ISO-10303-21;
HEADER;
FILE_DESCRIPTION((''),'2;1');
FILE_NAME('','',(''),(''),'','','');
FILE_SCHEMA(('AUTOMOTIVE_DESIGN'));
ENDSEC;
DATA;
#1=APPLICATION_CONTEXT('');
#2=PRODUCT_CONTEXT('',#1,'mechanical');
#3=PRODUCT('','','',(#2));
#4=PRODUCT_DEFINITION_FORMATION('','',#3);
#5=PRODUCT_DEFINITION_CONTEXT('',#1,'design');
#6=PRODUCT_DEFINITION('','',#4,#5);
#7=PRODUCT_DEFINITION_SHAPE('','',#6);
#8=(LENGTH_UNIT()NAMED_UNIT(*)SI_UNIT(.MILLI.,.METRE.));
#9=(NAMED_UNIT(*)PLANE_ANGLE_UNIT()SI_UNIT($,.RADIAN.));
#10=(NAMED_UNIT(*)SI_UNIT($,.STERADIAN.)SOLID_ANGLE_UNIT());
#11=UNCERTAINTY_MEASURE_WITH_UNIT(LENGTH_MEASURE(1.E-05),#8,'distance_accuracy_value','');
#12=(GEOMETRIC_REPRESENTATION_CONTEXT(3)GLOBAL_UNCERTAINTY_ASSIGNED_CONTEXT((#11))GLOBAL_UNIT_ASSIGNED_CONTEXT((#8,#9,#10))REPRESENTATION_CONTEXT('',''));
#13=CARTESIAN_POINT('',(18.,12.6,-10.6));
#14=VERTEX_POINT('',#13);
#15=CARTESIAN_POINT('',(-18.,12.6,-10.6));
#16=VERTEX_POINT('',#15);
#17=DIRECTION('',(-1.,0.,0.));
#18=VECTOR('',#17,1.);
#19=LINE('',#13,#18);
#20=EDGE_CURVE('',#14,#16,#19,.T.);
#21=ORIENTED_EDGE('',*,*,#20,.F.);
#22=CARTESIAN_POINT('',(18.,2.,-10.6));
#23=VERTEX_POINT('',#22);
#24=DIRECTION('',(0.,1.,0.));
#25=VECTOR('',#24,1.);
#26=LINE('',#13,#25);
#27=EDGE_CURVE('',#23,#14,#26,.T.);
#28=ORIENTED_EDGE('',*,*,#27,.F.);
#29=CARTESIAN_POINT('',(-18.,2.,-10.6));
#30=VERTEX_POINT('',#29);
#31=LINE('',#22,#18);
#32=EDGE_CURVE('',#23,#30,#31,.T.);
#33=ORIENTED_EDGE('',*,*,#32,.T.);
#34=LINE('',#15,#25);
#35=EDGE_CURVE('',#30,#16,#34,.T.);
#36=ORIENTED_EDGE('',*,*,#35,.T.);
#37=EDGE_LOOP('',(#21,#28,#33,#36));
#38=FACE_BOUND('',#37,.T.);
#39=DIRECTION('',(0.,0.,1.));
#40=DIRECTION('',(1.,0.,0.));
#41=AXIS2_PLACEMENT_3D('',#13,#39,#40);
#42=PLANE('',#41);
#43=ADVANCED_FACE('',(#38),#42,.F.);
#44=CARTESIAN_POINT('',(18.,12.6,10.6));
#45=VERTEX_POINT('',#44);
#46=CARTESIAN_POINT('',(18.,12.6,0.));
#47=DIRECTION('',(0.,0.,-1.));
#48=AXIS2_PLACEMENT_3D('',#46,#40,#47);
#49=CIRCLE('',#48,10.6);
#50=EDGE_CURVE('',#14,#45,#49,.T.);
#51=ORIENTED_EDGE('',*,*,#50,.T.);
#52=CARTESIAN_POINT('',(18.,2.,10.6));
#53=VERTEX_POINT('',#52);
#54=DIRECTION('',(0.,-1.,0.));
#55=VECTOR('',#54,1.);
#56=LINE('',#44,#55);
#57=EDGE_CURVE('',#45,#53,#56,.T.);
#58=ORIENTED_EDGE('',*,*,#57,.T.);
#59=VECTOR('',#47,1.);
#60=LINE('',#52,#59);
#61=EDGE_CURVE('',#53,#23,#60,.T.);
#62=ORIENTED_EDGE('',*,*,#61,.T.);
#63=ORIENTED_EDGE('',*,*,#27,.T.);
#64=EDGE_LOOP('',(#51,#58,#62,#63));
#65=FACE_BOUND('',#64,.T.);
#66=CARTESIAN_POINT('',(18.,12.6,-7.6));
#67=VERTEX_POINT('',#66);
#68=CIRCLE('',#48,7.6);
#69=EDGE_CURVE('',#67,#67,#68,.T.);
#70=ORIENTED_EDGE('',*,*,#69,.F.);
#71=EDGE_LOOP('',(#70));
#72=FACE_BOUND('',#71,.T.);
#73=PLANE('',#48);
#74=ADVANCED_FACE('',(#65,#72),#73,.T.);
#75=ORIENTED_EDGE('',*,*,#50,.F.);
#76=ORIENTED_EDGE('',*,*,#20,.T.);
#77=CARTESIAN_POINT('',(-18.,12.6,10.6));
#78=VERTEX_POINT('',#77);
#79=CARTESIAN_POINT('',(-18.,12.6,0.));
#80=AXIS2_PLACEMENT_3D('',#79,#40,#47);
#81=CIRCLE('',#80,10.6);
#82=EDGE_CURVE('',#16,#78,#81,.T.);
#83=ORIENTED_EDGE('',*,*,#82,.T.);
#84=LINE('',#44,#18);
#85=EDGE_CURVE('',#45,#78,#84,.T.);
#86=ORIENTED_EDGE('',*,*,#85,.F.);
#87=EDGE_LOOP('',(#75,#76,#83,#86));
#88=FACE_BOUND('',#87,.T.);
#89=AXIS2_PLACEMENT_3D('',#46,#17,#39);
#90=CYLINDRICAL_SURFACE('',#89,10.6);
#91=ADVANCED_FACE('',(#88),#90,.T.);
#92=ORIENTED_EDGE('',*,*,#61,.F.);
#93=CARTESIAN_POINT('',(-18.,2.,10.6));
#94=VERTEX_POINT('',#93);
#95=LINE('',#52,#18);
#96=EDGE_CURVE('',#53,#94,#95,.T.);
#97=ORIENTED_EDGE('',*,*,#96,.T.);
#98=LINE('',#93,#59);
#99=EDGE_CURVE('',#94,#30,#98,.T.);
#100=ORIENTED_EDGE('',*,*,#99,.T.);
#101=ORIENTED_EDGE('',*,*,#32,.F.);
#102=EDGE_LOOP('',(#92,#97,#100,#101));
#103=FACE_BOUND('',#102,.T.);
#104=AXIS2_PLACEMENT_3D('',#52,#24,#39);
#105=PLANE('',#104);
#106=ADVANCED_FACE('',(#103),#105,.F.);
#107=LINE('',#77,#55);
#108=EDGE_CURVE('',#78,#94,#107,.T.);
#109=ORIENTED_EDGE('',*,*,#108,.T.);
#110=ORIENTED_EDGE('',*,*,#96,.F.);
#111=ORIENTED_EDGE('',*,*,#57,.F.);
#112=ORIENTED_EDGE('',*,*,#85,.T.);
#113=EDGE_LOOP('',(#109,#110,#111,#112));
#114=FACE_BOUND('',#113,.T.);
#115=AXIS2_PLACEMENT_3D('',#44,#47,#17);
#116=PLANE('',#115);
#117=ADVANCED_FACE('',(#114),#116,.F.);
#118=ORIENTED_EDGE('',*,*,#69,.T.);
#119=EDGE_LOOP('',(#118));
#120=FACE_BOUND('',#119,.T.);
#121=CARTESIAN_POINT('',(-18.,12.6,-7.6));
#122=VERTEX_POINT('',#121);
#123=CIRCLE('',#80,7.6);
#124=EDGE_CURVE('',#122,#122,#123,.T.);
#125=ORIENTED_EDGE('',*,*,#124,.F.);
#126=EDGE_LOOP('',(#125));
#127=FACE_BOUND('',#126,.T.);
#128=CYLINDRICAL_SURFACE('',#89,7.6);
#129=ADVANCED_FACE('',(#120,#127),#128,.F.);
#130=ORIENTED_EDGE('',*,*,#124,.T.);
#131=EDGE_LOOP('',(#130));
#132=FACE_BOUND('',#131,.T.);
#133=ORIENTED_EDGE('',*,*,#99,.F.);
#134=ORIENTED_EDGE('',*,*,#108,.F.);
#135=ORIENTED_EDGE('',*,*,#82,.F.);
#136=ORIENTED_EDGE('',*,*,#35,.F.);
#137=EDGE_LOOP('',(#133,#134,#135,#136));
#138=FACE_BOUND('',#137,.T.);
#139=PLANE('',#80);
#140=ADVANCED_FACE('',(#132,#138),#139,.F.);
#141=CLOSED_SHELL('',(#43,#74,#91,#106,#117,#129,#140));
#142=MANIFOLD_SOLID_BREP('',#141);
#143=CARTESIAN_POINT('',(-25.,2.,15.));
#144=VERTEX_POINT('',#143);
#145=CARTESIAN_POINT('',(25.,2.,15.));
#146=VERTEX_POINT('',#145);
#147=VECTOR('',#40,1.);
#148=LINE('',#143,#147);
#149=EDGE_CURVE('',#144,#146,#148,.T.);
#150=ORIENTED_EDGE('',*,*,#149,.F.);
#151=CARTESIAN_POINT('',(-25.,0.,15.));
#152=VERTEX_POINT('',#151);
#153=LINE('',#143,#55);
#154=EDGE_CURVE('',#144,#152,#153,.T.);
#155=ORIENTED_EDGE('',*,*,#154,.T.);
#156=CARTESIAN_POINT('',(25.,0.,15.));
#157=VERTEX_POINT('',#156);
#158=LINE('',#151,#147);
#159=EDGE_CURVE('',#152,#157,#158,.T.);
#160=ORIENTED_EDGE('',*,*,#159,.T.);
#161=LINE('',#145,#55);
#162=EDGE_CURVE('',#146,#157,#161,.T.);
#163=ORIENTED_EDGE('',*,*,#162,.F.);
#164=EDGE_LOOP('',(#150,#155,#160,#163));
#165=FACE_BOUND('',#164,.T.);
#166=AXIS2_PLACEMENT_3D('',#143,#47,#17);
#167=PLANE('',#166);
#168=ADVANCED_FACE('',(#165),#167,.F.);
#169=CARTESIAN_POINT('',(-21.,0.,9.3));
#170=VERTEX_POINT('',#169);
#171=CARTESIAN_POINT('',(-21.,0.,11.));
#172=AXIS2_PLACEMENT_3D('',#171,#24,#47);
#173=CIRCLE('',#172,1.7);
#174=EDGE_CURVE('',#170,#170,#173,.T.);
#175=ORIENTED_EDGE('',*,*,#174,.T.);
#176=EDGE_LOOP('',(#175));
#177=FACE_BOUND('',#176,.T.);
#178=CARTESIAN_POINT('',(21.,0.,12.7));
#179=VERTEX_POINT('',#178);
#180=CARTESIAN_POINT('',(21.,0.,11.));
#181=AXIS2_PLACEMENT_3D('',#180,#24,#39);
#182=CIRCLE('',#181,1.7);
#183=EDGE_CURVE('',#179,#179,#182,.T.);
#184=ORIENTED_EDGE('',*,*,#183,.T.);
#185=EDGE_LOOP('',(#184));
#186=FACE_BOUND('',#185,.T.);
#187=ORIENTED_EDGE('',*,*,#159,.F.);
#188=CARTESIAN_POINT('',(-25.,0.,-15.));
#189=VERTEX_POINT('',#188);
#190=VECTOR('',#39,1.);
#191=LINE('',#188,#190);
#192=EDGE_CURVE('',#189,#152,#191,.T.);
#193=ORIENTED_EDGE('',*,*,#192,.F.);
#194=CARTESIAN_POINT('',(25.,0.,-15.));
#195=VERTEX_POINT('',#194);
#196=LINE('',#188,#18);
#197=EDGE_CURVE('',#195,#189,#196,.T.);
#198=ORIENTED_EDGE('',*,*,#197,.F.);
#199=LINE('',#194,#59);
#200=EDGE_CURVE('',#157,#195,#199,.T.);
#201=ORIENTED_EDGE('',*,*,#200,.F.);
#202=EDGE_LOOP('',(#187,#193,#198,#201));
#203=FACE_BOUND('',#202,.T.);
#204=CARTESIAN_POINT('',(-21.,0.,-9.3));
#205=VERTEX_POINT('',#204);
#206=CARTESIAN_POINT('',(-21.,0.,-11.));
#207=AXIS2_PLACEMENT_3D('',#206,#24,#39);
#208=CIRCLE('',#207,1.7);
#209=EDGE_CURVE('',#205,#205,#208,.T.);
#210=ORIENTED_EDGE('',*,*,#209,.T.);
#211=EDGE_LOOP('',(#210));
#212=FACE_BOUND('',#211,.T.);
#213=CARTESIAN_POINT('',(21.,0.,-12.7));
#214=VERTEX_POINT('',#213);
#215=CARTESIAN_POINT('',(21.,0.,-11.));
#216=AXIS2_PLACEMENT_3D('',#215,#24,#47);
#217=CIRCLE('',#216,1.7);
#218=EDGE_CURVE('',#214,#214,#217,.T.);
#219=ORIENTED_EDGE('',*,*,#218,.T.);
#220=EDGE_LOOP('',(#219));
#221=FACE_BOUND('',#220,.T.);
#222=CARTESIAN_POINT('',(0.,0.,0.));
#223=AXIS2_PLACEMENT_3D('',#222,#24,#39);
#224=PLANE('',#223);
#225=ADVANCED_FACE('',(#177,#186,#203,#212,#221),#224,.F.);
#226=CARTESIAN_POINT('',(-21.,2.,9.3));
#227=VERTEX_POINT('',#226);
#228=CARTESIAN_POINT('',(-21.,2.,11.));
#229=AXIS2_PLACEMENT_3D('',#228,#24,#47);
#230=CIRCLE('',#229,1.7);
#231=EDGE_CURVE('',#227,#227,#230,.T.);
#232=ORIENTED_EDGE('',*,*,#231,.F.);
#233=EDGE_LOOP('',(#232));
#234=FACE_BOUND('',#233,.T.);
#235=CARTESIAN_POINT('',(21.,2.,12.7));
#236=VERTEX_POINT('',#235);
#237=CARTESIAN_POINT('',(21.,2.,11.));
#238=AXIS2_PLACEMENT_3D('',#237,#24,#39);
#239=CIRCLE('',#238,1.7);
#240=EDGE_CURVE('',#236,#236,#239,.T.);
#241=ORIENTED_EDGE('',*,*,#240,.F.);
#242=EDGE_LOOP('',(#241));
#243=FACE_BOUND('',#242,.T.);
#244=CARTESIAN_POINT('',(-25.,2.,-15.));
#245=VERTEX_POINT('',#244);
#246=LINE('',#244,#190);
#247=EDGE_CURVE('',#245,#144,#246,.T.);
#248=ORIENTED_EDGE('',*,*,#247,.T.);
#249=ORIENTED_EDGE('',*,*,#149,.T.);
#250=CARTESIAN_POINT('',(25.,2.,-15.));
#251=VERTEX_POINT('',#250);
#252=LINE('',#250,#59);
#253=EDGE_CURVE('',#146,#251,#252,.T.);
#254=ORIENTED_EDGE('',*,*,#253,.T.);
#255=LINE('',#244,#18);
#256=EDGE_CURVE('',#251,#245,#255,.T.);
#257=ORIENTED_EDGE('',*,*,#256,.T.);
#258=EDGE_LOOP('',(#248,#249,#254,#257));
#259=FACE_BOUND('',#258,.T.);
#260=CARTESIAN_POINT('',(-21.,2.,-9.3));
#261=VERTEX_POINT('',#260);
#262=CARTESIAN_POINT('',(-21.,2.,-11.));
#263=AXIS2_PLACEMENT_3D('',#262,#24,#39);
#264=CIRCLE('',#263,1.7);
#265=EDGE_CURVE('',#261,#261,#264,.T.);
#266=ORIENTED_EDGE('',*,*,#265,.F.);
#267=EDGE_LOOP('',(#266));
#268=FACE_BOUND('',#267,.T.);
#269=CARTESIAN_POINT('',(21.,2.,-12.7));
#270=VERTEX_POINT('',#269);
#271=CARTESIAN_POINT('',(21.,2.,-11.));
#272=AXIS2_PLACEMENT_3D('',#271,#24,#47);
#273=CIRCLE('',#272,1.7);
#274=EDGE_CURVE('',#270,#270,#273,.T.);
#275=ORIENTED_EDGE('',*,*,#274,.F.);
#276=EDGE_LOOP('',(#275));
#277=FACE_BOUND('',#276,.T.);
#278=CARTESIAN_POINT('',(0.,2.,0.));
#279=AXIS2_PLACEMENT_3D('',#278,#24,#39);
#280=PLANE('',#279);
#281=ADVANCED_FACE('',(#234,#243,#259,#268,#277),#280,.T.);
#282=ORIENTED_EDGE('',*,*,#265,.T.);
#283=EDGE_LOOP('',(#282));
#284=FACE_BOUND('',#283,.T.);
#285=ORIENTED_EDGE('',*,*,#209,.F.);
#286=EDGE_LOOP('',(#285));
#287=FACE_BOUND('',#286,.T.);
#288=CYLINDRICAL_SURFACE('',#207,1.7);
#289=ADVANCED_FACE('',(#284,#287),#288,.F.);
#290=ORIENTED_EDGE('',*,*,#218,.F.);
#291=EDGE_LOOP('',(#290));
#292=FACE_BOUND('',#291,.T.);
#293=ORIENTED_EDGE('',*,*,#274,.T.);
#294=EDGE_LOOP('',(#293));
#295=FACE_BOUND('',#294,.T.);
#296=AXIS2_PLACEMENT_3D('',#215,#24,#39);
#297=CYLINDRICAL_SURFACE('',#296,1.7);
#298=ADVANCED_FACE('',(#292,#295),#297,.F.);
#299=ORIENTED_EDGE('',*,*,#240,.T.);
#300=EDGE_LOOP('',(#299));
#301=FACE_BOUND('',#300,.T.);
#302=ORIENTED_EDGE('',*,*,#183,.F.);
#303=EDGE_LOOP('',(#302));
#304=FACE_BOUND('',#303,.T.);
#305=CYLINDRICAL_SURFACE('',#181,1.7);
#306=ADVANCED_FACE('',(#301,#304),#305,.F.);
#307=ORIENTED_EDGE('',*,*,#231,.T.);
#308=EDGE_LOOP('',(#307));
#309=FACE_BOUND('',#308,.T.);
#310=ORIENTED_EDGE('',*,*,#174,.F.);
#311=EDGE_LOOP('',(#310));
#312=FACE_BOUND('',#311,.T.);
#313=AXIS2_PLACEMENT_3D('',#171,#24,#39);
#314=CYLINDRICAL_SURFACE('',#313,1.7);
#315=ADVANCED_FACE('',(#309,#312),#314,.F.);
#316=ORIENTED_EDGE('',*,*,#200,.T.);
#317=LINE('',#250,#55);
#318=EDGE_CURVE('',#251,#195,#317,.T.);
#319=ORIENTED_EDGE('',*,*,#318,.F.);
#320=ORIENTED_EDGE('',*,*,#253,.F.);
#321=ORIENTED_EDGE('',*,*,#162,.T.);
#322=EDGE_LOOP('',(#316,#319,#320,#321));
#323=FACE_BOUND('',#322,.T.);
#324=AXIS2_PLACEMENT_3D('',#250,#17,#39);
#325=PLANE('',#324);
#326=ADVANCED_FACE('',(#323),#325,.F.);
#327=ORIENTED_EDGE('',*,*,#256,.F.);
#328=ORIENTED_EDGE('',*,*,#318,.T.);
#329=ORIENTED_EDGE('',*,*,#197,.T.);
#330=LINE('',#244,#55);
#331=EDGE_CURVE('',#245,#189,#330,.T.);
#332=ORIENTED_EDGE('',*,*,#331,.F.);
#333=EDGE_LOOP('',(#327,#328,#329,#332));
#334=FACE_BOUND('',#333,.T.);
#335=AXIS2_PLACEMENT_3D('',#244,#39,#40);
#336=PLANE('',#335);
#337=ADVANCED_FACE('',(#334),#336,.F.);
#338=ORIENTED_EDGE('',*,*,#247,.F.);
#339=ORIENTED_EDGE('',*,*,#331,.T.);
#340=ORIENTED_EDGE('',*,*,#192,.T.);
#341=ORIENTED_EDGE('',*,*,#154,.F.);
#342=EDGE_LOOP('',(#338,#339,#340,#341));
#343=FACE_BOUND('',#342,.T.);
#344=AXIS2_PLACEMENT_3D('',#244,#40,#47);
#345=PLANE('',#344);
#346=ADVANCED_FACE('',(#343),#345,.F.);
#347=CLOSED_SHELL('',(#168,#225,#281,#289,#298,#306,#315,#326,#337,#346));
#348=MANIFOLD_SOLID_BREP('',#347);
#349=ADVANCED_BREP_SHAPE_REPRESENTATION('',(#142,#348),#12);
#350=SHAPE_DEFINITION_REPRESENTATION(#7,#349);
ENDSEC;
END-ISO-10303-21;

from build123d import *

# Parameters (mm, degrees)
SCHIZZO1_W                   = 50
SCHIZZO1_H                   = 30
ESTRUSIONE_ESTRUSIONE1_DEPTH = 2
SCHIZZO2_R                   = 7.6
ESTRUSIONE_ESTRUSIONE2_DEPTH = 18
SCHIZZO3_R                   = 1.7
TAGLIO_ESTRUSIONE1_DEPTH     = 37.047746115


with BuildPart() as part:
    # Schizzo1 → Estrusione-Estrusione1 (new body)
    with BuildSketch(Plane(origin=(0, 0, 0), x_dir=(1, 0, 0), z_dir=(0, 1, 0))):
        Rectangle(SCHIZZO1_W, SCHIZZO1_H)
    extrude(amount=ESTRUSIONE_ESTRUSIONE1_DEPTH)

    # Schizzo3 → Taglio-Estrusione1 (cut, through all)
    with BuildSketch(Plane(origin=(0, 2, 0), x_dir=(1, 0, 0), z_dir=(0, 1, 0))):
        with Locations(Location((-21, 11, 0), (0, 0, 270))):
            Circle(SCHIZZO3_R)
        with Locations(Location((21, 11, 0), (0, 0, 90))):
            Circle(SCHIZZO3_R)
        with Locations(Location((-21, -11, 0), (0, 0, 90))):
            Circle(SCHIZZO3_R)
        with Locations(Location((21, -11, 0), (0, 0, 270))):
            Circle(SCHIZZO3_R)
    extrude(amount=-TAGLIO_ESTRUSIONE1_DEPTH, mode=Mode.SUBTRACT)


with BuildPart() as body_2:
    # Schizzo2 → Estrusione-Estrusione2 (new, symmetric)
    with BuildSketch(Plane(origin=(0, 0, 0), x_dir=(0, 0, -1), z_dir=(1, 0, 0))):
        with BuildLine():
            Line((-10.6, 12.6), (-10.6, 2))
            Line((-10.6, 2), (10.6, 2))
            Line((10.6, 2), (10.6, 12.6))
            ThreePointArc((10.6, 12.6), (0, 23.2), (-10.6, 12.6))
        make_face()
        with Locations((0, 12.6)):
            Circle(SCHIZZO2_R, mode=Mode.SUBTRACT)
    extrude(amount=ESTRUSIONE_ESTRUSIONE2_DEPTH, both=True)


solid = Compound([part.part, body_2.part])
